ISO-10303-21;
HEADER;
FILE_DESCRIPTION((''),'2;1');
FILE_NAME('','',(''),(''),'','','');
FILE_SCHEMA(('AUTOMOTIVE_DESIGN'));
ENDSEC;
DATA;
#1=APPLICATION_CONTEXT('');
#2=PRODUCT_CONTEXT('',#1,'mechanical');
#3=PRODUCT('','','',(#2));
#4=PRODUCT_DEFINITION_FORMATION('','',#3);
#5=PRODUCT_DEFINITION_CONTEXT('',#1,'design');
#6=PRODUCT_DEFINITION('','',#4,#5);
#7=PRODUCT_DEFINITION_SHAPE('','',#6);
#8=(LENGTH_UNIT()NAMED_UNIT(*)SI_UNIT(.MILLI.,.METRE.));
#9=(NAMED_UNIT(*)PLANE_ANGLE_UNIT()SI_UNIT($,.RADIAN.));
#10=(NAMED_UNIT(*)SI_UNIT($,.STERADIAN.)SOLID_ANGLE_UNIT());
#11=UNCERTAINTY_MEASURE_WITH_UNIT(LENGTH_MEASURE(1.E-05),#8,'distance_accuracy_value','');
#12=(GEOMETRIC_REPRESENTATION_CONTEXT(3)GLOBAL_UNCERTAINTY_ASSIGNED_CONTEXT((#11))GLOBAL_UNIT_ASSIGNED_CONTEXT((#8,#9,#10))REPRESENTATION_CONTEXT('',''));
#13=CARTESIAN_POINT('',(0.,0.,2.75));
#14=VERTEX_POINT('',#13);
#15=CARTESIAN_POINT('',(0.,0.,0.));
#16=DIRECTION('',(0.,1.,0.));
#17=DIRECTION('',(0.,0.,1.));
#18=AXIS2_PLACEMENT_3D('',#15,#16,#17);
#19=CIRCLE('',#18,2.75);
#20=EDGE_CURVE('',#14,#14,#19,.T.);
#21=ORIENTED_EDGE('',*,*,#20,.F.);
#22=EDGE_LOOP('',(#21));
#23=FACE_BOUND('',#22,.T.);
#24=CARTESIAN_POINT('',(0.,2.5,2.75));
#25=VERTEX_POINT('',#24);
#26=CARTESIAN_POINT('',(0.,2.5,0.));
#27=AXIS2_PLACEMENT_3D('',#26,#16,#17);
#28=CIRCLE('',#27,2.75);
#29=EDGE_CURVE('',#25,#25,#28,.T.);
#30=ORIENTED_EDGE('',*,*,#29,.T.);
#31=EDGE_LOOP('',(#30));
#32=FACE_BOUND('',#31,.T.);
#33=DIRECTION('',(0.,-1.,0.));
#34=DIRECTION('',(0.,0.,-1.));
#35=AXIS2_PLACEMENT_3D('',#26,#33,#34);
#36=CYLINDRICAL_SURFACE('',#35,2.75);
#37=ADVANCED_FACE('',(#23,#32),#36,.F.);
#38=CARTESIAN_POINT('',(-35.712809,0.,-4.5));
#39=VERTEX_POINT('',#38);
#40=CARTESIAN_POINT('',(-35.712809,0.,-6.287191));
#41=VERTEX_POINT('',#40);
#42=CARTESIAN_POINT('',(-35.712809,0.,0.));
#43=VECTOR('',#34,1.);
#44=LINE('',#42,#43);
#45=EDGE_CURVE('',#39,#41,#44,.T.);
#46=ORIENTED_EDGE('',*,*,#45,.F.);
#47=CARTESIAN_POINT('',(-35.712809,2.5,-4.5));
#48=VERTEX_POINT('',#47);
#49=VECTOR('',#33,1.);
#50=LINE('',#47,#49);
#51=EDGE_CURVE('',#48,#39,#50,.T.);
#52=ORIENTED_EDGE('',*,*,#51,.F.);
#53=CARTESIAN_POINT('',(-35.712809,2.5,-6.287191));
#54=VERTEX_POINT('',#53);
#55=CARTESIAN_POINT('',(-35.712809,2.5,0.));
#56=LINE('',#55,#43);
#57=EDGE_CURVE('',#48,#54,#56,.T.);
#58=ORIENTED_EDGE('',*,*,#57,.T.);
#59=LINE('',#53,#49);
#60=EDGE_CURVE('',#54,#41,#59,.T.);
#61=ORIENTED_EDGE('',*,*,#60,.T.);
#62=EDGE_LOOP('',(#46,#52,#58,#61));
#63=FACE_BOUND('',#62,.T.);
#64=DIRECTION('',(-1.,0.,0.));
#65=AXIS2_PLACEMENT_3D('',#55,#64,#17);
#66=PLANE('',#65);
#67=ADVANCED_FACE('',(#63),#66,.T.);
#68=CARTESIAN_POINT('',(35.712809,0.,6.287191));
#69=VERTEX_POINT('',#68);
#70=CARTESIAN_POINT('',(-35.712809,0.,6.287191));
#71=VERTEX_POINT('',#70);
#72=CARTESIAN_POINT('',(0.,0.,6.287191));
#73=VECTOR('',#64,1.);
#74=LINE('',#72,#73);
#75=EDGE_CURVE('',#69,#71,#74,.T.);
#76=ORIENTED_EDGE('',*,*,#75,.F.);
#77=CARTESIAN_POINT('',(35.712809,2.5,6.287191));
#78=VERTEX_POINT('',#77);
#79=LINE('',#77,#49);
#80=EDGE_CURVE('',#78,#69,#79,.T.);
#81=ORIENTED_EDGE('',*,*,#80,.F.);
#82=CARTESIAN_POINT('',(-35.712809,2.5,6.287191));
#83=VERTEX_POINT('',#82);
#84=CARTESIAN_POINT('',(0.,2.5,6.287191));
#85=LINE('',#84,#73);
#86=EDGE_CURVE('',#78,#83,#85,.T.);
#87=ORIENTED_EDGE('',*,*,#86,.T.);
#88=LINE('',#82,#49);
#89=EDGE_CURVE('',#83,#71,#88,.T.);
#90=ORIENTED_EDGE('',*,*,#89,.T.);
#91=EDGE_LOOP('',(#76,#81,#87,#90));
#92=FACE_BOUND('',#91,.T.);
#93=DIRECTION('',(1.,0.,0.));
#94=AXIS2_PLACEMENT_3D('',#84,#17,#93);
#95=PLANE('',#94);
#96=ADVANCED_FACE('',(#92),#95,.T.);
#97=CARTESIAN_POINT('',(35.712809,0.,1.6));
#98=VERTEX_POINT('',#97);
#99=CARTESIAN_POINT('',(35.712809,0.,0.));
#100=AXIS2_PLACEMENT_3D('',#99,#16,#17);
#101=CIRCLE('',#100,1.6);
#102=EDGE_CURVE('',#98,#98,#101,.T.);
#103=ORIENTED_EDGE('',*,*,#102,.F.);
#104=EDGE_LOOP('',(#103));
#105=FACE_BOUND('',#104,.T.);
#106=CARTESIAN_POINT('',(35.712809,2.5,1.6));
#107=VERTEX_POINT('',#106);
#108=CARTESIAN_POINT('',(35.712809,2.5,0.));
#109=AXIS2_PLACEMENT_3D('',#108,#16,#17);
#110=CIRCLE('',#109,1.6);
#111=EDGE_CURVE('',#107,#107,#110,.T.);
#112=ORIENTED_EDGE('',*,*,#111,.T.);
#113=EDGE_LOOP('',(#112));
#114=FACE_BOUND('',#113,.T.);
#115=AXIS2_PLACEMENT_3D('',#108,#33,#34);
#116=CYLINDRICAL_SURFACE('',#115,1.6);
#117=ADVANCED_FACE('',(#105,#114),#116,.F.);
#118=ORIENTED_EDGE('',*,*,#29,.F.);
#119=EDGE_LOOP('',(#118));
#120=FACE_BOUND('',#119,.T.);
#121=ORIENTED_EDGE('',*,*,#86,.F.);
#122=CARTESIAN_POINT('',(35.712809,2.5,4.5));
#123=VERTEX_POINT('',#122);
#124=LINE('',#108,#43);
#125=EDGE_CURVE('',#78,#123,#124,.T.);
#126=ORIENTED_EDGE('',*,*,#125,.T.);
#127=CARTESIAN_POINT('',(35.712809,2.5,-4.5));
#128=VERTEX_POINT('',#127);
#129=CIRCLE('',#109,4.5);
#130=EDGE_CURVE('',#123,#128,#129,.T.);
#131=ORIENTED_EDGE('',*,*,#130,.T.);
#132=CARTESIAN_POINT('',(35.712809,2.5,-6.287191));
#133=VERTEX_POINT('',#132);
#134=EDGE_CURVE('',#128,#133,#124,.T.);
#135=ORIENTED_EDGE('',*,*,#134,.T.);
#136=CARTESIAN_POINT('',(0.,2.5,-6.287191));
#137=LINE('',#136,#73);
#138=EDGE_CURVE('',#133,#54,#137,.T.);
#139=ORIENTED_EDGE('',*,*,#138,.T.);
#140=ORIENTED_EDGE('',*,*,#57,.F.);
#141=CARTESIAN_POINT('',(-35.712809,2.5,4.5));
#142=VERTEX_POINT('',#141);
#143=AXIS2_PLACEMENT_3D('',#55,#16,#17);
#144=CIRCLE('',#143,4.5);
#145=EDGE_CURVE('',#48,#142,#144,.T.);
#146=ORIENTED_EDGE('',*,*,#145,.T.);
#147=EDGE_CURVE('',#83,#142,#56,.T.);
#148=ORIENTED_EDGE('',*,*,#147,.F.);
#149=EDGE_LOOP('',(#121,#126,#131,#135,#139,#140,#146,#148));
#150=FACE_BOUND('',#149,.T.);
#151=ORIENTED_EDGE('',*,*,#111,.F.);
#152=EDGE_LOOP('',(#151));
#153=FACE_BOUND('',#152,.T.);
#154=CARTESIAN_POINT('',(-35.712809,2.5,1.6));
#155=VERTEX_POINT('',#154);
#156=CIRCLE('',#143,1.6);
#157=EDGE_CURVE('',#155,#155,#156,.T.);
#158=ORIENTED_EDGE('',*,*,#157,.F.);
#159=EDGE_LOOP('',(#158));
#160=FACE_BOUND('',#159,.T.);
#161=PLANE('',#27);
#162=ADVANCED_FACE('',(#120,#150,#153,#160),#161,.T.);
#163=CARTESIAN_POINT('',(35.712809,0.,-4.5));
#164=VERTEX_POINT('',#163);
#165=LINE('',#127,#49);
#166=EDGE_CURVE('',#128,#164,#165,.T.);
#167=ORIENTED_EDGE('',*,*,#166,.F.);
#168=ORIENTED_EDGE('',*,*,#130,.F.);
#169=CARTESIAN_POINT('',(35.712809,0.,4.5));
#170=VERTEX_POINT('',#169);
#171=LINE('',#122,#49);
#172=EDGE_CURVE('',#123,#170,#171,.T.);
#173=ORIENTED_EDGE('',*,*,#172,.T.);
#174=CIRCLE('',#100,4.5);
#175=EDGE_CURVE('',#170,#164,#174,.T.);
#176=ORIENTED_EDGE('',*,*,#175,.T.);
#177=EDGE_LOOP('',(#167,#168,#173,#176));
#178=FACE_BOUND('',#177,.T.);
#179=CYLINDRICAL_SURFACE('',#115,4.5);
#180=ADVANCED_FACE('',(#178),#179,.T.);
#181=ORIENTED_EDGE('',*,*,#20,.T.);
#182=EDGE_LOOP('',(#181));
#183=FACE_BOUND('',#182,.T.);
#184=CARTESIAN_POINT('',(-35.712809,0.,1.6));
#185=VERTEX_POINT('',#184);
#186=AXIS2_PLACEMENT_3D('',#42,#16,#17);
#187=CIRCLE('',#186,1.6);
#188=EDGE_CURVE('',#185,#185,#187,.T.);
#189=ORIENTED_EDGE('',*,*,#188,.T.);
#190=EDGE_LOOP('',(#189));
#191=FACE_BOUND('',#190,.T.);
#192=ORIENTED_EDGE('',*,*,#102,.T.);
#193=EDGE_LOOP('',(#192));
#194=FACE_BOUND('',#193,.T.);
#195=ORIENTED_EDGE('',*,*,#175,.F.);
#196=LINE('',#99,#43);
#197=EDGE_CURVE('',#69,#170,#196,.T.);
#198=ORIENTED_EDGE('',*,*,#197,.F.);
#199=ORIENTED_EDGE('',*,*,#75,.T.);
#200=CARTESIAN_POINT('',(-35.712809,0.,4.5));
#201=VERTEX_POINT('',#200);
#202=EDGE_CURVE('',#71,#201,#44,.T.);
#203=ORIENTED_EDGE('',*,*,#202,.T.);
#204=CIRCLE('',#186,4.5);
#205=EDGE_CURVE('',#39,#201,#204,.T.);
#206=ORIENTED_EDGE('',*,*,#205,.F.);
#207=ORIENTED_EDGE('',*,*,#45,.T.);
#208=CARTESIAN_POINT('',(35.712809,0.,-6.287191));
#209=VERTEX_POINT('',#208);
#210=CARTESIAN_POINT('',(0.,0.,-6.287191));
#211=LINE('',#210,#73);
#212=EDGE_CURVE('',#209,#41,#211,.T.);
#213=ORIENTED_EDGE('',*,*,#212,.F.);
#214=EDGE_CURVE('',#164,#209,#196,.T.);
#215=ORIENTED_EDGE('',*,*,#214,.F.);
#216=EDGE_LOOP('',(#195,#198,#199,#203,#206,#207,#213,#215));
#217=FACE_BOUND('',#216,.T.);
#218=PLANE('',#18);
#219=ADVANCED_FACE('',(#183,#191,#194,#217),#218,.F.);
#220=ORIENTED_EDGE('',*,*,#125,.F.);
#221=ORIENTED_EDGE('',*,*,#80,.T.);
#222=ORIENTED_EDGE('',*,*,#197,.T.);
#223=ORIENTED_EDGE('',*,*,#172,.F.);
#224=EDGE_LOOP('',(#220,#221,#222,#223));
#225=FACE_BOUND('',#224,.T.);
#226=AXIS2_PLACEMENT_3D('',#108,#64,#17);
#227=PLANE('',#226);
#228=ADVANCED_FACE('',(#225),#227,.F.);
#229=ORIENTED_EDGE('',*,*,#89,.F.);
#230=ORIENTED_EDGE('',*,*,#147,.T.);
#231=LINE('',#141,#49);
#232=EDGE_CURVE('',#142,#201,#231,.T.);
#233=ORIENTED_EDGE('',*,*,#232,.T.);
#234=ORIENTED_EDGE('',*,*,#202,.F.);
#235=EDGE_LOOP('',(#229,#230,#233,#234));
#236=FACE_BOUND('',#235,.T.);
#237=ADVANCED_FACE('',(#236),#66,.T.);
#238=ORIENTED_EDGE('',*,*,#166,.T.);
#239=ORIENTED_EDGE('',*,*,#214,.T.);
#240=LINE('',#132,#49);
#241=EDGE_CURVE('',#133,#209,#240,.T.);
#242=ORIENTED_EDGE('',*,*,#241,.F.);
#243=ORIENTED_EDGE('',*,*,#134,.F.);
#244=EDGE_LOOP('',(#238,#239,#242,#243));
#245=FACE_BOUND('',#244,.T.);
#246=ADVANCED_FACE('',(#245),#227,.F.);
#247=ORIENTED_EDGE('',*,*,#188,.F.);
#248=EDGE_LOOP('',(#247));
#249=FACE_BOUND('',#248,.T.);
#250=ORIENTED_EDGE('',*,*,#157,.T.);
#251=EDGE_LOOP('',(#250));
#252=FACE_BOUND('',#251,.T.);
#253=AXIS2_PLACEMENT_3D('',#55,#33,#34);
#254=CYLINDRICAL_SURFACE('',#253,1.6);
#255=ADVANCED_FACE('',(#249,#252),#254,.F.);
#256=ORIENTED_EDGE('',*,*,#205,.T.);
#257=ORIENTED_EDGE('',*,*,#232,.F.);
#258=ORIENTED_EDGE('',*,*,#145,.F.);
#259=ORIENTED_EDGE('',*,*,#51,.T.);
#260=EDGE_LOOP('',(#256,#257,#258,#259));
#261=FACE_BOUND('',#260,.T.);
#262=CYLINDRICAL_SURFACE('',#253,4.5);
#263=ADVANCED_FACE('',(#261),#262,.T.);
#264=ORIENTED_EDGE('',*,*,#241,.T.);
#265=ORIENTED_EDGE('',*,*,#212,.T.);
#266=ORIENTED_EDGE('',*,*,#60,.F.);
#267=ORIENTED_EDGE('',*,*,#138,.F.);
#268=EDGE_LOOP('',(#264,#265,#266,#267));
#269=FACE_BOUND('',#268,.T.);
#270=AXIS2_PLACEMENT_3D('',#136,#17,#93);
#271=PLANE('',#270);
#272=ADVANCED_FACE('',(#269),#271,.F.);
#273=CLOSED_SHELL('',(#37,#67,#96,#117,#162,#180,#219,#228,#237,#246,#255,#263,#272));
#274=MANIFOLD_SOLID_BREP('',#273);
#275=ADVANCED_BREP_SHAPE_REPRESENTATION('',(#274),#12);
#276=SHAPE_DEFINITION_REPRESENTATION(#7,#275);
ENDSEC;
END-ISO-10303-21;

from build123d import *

# Parameters (mm, degrees)
SKETCH1_R           = 1.6
SKETCH1_R_2         = 2.75
BOSS_EXTRUDE1_DEPTH = 2.5


with BuildPart() as part:
    # Sketch1 → Boss-Extrude1 (new body)
    with BuildSketch(Plane(origin=(0, 0, 0), x_dir=(1, 0, 0), z_dir=(0, 1, 0))):
        with BuildLine():
            Line((35.712808515, 6.287191485), (-35.712808515, 6.287191485))
            Line((-35.712808515, 6.287191485), (-35.712808515, 4.5))
            ThreePointArc((-35.712808515, 4.5), (-40.212808515, 0), (-35.712808515, -4.5))
            Line((-35.712808515, -4.5), (-35.712808515, -6.287191485))
            Line((-35.712808515, -6.287191485), (35.712808515, -6.287191485))
            Line((35.712808515, -6.287191485), (35.712808515, -4.5))
            ThreePointArc((35.712808515, -4.5), (40.212808515, 0), (35.712808515, 4.5))
            Line((35.712808515, 4.5), (35.712808515, 6.287191485))
        make_face()
        with Locations(Location((35.712808515, 0, 0), (0, 0, 270))):
            Circle(SKETCH1_R, mode=Mode.SUBTRACT)
        with Locations(Location((0, 0, 0), (0, 0, 270))):
            Circle(SKETCH1_R_2, mode=Mode.SUBTRACT)
        with Locations(Location((-35.712808515, 0, 0), (0, 0, 270))):
            Circle(SKETCH1_R, mode=Mode.SUBTRACT)
    extrude(amount=BOSS_EXTRUDE1_DEPTH)


solid = part.part
